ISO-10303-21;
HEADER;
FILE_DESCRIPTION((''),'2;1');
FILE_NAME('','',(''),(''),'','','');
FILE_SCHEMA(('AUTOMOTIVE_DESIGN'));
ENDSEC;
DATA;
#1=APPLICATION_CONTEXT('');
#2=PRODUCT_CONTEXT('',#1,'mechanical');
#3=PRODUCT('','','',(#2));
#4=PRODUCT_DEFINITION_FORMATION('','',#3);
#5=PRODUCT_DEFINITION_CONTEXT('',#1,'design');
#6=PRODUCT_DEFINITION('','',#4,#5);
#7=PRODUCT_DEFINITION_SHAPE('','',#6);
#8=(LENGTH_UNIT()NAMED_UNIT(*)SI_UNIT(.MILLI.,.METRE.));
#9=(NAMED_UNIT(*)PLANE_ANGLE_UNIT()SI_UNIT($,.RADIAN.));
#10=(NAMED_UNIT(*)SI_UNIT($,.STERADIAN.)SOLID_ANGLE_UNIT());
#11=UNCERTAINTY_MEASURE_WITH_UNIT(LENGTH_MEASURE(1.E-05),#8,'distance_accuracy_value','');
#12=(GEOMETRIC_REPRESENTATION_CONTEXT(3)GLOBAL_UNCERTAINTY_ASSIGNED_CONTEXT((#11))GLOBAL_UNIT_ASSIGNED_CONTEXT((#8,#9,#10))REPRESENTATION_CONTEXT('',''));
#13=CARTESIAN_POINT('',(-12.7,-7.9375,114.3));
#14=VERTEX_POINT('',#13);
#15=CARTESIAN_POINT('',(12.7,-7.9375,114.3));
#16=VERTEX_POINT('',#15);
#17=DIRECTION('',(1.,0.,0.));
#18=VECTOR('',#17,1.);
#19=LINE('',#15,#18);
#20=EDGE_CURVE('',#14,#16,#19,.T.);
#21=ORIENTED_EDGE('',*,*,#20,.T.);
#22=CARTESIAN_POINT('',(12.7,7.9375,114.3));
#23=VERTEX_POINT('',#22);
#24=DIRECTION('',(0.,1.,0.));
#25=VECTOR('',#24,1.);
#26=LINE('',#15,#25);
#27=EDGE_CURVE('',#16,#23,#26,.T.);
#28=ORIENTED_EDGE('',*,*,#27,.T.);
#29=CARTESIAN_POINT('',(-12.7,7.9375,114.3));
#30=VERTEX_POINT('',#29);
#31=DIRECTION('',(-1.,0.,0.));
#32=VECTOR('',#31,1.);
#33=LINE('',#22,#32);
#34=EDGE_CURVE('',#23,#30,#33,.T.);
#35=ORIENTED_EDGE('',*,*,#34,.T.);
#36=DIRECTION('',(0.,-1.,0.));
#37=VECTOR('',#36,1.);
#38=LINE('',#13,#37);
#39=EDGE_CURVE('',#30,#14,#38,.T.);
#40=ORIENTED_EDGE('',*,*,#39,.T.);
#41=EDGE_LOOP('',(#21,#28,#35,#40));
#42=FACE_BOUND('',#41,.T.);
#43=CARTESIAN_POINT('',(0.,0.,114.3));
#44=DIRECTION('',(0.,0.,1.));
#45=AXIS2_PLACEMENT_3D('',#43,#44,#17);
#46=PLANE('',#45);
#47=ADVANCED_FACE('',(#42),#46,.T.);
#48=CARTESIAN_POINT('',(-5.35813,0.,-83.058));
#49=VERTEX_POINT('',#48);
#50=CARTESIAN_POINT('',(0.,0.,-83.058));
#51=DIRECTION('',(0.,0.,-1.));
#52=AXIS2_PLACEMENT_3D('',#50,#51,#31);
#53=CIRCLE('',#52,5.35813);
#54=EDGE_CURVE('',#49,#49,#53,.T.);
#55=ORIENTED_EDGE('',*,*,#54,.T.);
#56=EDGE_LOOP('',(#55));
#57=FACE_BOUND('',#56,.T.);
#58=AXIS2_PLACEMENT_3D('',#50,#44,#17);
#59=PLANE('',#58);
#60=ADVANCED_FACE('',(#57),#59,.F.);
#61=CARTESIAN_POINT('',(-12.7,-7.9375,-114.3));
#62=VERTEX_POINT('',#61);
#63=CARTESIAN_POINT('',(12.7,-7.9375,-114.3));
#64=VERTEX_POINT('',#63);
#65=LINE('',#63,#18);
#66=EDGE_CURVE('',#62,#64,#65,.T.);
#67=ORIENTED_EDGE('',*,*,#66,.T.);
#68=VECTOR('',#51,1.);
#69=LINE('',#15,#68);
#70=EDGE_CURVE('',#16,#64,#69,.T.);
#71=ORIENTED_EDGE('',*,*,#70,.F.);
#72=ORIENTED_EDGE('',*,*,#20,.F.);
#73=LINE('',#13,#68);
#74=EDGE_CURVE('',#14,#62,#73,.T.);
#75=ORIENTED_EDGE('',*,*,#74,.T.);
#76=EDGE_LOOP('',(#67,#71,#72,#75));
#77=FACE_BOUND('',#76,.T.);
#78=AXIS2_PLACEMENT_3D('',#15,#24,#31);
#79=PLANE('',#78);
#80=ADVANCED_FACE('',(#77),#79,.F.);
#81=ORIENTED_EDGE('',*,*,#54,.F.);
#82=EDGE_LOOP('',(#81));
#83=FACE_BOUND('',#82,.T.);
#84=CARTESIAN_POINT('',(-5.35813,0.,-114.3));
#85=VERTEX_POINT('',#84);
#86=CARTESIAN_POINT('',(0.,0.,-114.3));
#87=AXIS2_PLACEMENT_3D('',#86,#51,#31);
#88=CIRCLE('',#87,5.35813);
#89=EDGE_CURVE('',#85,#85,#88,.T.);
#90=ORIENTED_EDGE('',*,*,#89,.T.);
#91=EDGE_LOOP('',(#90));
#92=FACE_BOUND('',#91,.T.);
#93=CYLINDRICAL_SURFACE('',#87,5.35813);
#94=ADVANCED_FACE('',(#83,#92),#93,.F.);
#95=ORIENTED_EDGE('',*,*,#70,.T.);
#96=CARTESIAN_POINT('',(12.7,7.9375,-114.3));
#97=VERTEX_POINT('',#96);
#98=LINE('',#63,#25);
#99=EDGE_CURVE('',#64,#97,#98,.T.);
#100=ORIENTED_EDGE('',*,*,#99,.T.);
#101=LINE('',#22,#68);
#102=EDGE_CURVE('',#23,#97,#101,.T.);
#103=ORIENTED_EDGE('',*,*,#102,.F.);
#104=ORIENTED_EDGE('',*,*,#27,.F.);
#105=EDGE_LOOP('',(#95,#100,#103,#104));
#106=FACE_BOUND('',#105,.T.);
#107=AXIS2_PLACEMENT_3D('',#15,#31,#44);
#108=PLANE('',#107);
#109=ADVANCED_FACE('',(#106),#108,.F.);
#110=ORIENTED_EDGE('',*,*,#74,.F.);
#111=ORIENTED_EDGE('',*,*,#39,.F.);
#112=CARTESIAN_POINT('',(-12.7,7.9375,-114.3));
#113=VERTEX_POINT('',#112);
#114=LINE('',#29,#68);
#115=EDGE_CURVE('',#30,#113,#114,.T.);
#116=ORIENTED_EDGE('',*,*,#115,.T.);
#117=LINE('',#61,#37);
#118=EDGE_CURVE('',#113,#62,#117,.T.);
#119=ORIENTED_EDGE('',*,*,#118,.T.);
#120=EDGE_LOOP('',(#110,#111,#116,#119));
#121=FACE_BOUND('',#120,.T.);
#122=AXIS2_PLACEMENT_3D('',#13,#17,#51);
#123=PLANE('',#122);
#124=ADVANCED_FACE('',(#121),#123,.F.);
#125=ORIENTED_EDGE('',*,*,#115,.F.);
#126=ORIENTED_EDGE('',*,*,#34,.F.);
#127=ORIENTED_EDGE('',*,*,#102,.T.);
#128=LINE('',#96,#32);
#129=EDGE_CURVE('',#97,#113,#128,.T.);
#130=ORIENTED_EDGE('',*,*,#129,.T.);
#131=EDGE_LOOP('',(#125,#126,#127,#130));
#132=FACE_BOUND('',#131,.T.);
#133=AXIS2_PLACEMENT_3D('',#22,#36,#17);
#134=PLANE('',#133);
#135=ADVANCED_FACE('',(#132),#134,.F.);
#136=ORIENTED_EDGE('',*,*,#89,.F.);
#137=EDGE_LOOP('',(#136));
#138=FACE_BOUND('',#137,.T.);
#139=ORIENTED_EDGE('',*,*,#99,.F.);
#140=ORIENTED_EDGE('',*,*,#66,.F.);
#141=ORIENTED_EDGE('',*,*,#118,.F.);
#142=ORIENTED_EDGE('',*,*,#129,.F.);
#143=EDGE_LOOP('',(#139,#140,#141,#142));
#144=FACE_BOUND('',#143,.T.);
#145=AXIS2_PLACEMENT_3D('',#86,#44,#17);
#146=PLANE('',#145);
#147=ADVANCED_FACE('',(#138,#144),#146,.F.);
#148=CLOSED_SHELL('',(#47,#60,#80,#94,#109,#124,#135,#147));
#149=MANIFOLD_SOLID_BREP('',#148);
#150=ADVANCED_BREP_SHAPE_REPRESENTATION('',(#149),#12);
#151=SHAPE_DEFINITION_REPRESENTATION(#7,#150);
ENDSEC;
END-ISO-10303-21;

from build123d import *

# Parameters (mm, degrees)
SKETCH1_W                   = 25.4
SKETCH1_H                   = 15.875
BOSS_EXTRUDE1_DEPTH         = 114.3
F_1_2_13_TAPPED_HOLE1_D     = 10.71626
F_1_2_13_TAPPED_HOLE1_DEPTH = 31.242


with BuildPart() as part:
    # Sketch1 → Boss-Extrude1 (new body, symmetric)
    with BuildSketch(Plane.XY):
        Rectangle(SKETCH1_W, SKETCH1_H)
    extrude(amount=BOSS_EXTRUDE1_DEPTH, both=True)

    # 1/2-13 Tapped Hole1
    with Locations(Plane(origin=(0, 0, -114.3), x_dir=(-1, 0, 0), z_dir=(0, 0, -1))):
        with Locations((0, 0)):
            Hole(F_1_2_13_TAPPED_HOLE1_D / 2, depth=F_1_2_13_TAPPED_HOLE1_DEPTH)


solid = part.part
